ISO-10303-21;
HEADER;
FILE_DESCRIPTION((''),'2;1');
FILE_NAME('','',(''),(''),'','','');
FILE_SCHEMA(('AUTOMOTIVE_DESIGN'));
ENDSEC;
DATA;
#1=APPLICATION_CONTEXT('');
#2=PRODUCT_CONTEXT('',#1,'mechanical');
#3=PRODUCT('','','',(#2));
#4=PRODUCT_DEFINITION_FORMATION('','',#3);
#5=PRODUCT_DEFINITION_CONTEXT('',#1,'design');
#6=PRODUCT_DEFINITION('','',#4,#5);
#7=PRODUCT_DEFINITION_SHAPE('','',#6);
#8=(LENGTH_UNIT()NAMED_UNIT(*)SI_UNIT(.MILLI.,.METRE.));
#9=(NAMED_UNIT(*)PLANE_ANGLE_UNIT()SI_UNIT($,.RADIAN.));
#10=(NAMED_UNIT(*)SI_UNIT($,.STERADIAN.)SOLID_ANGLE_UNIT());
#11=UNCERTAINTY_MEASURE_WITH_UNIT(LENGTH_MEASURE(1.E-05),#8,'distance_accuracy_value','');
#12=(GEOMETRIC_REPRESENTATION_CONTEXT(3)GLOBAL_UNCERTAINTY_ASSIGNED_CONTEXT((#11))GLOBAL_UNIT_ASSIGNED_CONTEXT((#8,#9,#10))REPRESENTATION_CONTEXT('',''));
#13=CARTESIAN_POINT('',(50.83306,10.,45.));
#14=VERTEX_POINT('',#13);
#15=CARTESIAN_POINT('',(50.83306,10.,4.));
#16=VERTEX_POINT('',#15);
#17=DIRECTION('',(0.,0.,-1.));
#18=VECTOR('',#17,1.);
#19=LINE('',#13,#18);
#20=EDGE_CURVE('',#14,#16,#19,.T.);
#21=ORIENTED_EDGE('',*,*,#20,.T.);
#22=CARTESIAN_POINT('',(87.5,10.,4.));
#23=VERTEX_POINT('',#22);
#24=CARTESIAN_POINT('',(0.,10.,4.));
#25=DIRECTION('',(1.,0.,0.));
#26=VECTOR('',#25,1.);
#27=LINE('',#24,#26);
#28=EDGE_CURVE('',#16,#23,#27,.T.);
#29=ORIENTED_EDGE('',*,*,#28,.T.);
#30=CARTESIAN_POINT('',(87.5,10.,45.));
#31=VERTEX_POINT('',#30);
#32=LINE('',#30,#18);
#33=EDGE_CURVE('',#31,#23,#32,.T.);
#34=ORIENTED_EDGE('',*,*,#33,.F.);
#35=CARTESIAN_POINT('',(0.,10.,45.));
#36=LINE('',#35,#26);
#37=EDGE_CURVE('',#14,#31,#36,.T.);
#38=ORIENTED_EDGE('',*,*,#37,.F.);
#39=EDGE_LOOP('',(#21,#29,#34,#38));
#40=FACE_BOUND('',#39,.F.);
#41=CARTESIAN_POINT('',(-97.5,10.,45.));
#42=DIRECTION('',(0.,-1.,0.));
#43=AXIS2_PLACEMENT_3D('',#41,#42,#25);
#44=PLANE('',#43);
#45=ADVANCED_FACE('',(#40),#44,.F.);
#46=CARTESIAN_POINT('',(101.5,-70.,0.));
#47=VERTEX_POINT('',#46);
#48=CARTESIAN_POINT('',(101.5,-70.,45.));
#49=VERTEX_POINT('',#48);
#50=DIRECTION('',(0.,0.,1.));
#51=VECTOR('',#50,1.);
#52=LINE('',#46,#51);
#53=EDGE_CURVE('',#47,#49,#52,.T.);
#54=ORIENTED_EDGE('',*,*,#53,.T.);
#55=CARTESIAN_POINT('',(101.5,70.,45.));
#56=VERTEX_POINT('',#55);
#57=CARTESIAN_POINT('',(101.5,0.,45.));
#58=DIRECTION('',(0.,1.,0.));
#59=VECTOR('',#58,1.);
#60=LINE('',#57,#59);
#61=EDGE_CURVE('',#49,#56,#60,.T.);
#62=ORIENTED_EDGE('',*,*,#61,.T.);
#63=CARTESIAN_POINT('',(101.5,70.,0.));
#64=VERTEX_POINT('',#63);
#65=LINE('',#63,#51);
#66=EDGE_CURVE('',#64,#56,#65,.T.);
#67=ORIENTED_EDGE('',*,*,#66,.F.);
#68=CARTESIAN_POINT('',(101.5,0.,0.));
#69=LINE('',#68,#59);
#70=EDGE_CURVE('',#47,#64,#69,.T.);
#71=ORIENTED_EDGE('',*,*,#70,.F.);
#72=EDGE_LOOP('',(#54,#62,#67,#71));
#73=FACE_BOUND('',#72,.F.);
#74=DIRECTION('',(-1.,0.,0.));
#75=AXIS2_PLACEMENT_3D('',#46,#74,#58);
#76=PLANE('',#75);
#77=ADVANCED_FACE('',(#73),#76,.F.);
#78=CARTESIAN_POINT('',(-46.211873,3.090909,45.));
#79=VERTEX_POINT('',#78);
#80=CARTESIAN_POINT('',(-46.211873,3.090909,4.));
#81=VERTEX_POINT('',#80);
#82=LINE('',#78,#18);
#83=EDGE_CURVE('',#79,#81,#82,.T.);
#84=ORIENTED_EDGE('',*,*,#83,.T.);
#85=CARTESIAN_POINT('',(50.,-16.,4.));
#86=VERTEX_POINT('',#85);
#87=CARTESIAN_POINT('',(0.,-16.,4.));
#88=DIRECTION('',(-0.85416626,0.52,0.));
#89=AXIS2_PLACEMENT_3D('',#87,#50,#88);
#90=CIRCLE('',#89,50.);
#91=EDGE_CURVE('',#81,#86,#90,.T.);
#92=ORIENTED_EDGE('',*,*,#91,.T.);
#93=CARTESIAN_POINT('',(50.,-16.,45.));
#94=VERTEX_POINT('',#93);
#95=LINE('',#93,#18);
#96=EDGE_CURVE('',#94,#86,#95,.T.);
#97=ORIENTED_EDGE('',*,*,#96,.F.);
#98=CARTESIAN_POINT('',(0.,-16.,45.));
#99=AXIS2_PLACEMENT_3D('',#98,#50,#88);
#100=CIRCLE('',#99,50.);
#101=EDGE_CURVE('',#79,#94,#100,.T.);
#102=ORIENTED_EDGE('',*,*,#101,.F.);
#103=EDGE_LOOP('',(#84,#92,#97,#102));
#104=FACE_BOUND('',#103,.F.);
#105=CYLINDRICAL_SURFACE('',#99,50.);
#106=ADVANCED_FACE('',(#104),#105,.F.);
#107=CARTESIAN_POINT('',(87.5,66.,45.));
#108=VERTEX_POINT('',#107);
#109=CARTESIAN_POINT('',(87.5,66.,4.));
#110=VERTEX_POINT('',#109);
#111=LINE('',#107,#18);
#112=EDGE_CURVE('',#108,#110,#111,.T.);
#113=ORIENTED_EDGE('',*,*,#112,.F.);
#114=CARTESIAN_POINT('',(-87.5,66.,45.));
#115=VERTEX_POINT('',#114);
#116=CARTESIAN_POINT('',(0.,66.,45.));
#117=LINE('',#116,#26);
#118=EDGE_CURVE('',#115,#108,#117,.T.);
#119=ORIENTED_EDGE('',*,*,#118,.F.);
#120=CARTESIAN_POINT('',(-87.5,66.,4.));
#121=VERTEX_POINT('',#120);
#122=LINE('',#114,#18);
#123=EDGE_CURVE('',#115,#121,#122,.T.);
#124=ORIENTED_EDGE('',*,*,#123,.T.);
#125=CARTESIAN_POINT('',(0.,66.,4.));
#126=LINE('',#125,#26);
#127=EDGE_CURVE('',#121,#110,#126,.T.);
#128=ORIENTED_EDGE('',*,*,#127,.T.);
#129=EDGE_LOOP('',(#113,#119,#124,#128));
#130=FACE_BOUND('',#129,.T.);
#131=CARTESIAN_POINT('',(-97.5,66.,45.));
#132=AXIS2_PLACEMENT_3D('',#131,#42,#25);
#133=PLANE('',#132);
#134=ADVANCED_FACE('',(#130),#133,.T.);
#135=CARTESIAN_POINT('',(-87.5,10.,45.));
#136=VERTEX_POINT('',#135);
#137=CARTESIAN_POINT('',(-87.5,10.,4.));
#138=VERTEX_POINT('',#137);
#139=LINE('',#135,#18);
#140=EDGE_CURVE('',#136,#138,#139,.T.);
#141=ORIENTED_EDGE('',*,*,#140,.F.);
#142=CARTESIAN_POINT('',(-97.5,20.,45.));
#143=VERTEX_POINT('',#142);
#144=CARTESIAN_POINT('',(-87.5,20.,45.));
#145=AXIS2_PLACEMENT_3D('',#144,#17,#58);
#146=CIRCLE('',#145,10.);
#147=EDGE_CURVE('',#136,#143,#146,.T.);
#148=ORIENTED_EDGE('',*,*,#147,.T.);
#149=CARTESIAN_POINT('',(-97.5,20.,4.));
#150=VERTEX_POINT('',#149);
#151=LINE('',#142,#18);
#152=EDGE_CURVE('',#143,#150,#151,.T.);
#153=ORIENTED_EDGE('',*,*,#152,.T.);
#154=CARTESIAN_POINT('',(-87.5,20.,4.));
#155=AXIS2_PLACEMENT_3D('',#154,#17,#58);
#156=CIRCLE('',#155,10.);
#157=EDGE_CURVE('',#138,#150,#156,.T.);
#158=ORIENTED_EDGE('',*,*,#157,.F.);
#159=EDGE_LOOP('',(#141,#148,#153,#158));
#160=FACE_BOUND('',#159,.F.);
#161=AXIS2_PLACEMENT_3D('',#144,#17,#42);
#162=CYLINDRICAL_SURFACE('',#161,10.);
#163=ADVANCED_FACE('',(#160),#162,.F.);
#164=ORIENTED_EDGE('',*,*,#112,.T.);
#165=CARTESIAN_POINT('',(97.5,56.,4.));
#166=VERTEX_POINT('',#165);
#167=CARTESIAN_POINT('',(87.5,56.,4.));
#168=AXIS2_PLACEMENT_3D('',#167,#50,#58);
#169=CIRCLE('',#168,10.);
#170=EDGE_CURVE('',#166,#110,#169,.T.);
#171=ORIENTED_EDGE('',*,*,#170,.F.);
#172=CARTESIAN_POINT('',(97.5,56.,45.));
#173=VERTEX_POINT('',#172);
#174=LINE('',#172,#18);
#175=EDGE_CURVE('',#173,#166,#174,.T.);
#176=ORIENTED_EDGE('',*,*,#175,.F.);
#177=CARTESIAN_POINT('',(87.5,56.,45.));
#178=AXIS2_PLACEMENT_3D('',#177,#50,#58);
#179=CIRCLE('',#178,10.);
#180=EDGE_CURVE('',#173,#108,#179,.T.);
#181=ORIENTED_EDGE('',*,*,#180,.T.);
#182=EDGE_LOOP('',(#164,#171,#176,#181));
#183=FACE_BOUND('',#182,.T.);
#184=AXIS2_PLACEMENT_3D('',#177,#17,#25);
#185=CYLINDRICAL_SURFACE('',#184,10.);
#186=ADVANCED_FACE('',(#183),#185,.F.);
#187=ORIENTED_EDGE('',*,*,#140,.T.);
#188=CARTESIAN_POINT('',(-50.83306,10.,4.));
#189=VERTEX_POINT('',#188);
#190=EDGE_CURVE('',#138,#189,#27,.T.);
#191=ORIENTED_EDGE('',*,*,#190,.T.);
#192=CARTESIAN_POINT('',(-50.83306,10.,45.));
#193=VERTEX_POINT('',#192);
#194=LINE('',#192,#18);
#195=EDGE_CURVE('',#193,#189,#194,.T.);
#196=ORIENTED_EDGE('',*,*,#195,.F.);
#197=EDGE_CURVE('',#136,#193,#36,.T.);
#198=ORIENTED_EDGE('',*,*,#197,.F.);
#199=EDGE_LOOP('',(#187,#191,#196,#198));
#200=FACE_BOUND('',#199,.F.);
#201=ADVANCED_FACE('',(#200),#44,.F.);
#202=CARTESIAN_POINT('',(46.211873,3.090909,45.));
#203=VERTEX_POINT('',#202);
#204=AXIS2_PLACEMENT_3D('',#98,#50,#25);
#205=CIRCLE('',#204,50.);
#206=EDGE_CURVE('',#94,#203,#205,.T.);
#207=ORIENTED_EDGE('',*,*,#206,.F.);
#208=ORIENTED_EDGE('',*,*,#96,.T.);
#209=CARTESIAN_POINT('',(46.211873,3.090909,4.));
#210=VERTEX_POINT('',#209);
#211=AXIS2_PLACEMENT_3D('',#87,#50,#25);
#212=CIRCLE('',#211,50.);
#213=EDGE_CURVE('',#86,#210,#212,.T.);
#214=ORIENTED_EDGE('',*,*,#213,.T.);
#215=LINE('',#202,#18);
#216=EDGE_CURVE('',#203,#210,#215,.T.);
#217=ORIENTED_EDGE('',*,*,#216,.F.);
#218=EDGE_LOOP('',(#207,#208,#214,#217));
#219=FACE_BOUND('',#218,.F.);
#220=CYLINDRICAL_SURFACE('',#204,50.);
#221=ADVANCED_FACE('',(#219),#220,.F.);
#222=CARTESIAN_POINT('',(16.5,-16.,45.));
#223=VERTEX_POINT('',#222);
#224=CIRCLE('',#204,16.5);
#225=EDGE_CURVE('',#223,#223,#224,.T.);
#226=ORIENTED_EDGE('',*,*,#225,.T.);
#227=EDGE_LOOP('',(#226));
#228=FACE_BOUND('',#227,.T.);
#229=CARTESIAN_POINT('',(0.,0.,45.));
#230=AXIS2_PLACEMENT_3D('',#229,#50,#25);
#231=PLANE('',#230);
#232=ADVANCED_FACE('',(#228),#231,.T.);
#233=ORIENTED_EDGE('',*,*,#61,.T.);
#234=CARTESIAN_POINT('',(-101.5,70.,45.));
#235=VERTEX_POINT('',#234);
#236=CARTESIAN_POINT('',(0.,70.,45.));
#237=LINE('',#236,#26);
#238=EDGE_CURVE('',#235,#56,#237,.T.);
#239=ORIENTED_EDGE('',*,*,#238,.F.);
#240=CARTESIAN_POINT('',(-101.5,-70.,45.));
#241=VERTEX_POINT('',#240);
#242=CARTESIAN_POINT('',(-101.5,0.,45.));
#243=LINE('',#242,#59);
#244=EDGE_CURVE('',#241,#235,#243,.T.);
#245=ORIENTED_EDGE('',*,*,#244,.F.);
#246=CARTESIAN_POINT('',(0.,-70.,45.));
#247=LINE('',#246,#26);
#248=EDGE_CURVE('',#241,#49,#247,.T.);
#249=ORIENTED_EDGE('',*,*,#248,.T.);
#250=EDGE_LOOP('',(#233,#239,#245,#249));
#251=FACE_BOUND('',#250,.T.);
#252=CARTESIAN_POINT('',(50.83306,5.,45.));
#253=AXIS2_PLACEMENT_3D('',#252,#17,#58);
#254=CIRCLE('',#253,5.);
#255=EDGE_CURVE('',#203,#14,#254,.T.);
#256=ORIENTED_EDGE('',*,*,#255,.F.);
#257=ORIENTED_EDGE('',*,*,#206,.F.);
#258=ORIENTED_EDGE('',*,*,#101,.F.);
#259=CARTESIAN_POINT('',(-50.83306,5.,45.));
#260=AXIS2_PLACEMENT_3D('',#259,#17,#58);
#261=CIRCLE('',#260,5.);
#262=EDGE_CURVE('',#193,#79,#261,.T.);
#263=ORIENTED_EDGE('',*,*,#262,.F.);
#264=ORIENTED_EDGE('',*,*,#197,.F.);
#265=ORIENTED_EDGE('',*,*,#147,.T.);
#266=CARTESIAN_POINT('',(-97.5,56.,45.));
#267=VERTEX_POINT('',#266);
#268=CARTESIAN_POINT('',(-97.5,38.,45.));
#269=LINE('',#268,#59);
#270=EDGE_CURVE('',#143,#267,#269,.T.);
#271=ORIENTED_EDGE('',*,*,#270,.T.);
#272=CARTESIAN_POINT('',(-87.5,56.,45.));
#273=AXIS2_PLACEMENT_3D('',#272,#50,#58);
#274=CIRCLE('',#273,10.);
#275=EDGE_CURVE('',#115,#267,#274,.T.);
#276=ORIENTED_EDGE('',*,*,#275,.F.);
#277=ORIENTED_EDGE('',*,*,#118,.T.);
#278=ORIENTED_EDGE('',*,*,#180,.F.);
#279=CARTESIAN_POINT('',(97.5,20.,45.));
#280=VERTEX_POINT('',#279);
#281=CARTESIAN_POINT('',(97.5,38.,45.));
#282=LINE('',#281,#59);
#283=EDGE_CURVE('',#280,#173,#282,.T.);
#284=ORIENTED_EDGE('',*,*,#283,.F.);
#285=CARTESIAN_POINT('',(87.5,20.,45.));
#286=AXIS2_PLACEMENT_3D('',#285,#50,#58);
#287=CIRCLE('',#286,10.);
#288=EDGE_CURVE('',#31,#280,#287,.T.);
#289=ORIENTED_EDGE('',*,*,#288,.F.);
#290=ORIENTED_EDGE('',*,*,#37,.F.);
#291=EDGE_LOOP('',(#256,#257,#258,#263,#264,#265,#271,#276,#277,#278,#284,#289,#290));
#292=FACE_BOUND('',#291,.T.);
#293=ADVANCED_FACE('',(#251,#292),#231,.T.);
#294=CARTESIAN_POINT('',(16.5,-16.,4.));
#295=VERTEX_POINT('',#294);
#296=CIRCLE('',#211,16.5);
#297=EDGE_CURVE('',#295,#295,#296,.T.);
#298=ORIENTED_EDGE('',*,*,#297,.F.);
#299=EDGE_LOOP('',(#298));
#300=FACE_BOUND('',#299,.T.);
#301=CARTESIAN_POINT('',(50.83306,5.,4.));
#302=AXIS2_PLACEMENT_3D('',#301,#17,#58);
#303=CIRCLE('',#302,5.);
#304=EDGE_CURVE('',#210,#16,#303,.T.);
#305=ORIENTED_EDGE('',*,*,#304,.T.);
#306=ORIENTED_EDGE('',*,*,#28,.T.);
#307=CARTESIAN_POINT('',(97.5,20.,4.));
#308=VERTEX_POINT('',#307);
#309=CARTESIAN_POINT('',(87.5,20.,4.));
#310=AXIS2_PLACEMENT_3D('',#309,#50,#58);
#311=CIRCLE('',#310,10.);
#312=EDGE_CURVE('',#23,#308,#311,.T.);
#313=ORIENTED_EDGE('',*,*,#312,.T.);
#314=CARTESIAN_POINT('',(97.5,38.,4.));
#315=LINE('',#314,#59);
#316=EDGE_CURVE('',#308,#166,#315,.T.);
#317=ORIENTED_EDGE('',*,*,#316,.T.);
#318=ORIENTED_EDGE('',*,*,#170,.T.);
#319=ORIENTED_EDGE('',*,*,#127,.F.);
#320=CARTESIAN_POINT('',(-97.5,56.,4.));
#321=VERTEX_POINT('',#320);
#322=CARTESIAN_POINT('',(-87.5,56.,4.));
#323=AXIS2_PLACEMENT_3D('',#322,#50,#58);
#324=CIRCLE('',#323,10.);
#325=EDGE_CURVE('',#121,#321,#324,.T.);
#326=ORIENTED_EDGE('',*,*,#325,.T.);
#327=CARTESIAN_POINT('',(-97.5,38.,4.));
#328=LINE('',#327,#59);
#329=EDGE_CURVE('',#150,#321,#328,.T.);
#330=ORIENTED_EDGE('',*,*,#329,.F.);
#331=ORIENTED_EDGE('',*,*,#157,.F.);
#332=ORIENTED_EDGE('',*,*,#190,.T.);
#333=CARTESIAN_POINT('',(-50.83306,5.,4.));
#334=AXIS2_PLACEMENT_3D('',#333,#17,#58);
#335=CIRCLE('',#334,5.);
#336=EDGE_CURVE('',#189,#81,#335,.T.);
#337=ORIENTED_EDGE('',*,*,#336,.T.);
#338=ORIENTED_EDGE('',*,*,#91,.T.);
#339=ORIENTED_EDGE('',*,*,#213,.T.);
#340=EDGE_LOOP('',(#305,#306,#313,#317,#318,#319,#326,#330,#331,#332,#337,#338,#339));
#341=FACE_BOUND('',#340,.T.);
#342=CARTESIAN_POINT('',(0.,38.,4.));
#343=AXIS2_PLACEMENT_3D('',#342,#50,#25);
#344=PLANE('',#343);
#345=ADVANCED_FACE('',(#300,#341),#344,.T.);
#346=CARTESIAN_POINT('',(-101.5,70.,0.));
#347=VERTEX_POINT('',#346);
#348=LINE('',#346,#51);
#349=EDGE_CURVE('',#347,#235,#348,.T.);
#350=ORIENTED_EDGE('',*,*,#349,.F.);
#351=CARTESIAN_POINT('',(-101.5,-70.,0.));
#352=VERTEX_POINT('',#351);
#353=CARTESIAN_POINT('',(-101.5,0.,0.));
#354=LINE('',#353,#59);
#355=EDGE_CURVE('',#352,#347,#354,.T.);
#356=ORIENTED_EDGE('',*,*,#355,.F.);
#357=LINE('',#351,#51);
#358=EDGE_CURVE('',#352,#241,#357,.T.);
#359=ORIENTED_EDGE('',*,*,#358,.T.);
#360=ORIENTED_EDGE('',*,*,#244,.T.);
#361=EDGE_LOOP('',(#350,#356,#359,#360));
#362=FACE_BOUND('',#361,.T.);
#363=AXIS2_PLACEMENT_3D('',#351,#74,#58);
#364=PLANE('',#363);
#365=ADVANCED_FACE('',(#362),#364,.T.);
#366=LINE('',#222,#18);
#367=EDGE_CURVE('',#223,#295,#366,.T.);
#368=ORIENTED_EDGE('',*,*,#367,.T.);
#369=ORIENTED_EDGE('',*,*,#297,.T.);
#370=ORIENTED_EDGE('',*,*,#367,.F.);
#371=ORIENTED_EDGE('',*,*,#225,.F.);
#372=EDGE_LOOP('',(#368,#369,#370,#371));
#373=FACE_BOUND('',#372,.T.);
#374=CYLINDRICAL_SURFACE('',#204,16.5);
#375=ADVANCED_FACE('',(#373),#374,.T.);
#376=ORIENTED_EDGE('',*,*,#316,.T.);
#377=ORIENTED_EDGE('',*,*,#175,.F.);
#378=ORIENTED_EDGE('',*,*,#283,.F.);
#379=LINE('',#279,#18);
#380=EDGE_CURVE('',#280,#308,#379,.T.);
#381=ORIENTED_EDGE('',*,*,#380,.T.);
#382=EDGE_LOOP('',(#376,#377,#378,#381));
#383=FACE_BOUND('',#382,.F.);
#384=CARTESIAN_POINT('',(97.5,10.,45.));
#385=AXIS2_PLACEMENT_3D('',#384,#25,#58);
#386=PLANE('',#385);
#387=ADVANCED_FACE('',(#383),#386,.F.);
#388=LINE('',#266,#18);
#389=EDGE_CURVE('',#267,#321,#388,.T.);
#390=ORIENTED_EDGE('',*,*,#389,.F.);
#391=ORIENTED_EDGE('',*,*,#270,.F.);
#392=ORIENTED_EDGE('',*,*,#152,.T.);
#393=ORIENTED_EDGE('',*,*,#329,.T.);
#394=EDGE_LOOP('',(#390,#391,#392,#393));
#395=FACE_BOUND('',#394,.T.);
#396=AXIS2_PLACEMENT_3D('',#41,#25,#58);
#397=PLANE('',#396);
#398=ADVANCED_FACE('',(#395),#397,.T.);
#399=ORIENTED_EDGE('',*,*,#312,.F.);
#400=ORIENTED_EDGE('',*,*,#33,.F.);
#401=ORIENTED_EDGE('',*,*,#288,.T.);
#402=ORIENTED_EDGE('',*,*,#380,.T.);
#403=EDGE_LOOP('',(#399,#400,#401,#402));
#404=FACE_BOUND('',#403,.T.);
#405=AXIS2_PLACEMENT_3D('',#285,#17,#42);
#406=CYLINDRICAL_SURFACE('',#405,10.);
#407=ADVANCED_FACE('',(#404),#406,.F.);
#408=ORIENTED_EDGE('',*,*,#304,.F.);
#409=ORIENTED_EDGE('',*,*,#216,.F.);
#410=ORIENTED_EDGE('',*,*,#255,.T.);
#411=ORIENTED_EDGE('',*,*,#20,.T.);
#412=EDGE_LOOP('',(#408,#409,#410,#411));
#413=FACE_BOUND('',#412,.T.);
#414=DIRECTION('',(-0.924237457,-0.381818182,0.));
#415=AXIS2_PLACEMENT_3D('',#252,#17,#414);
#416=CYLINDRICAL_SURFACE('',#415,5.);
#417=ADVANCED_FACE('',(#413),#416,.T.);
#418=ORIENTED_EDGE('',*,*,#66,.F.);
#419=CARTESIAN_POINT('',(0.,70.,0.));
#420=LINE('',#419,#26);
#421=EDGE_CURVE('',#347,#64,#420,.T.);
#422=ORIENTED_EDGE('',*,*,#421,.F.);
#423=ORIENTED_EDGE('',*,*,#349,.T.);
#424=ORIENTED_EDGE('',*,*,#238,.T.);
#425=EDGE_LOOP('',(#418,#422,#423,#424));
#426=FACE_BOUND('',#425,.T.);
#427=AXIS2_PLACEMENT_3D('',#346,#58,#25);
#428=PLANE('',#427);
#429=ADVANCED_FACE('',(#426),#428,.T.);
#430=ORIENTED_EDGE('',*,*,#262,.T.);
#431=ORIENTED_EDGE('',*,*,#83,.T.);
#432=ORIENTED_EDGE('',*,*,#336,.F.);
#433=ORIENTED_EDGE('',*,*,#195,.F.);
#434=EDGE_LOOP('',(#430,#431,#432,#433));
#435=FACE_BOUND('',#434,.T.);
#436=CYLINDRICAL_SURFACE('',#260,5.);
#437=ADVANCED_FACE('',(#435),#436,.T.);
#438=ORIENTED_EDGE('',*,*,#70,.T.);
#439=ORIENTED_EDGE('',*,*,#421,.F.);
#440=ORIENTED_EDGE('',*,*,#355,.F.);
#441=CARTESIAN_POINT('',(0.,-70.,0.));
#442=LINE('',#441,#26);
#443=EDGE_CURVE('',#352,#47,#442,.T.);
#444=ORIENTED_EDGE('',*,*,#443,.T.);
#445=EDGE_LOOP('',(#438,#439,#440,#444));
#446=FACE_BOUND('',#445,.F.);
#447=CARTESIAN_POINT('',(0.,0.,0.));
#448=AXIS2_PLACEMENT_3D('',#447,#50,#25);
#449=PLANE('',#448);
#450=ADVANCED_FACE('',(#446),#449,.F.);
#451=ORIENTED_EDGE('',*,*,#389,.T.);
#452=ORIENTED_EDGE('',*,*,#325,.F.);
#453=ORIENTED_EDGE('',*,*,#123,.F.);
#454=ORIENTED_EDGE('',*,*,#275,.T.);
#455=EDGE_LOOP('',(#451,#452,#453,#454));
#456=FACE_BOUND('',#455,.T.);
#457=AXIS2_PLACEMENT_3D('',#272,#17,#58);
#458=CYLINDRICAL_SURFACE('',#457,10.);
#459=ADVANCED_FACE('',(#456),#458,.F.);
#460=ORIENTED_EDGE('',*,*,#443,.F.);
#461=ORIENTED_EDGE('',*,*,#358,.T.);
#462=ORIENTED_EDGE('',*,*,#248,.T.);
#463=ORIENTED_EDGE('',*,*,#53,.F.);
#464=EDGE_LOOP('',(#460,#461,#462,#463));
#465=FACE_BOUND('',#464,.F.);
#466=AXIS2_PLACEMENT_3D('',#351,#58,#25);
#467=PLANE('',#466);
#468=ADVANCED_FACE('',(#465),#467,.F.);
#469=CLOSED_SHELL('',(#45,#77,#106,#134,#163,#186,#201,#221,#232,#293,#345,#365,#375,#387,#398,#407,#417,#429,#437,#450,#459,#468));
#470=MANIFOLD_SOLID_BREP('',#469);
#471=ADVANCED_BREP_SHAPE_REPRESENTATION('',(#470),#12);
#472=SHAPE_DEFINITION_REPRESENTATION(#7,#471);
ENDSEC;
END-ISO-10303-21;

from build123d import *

# Parameters (mm, degrees)
F0_W     = 203
F0_H     = 140
F1_DEPTH = 45
F2_W     = 195
F2_H     = 56
F3_DEPTH = 41
F4_R     = 16.5
F5_DEPTH = 41
F6_R     = 10
F7_R     = 5


with BuildPart() as f1:
    # F0 (on Top) → F1 (new body)
    with BuildSketch(Plane.XY):
        Rectangle(F0_W, F0_H)
    extrude(amount=F1_DEPTH)

    # F2 (on face) → F3 (cut)
    with BuildSketch(Plane.XY.offset(45)):
        with Locations((0, 38)):
            Rectangle(F2_W, F2_H)
    extrude(amount=-F3_DEPTH, mode=Mode.SUBTRACT)

    # F4 (on face) → F5 (cut)
    with BuildSketch(Plane.XY.offset(45)):
        with BuildLine():
            ThreePointArc((-42.7083130081, 10), (-13.5015619392, -64.1425780905), (50, -16))
            ThreePointArc((50, -16), (48.1425780905, -2.4984380608), (42.7083130081, 10))
            Line((42.7083130081, 10), (-42.7083130081, 10))
        make_face()
        with Locations((0, -16)):
            Circle(F4_R, mode=Mode.SUBTRACT)
    extrude(amount=-F5_DEPTH, mode=Mode.SUBTRACT)

    # F6
    f6_edges = [f1.edges().sort_by_distance(p)[0] for p in [
        (97.5, 66, 24.5),
        (-97.5, 66, 24.5),
        (97.5, 10, 24.5),
        (-97.5, 10, 24.5),
    ]]
    fillet(f6_edges, radius=F6_R)

    # F7
    f7_edges = [f1.edges().sort_by_distance(p)[0] for p in [
        (42.708313, 10, 24.5),
        (-42.708313, 10, 24.5),
    ]]
    fillet(f7_edges, radius=F7_R)


solid = f1.part
